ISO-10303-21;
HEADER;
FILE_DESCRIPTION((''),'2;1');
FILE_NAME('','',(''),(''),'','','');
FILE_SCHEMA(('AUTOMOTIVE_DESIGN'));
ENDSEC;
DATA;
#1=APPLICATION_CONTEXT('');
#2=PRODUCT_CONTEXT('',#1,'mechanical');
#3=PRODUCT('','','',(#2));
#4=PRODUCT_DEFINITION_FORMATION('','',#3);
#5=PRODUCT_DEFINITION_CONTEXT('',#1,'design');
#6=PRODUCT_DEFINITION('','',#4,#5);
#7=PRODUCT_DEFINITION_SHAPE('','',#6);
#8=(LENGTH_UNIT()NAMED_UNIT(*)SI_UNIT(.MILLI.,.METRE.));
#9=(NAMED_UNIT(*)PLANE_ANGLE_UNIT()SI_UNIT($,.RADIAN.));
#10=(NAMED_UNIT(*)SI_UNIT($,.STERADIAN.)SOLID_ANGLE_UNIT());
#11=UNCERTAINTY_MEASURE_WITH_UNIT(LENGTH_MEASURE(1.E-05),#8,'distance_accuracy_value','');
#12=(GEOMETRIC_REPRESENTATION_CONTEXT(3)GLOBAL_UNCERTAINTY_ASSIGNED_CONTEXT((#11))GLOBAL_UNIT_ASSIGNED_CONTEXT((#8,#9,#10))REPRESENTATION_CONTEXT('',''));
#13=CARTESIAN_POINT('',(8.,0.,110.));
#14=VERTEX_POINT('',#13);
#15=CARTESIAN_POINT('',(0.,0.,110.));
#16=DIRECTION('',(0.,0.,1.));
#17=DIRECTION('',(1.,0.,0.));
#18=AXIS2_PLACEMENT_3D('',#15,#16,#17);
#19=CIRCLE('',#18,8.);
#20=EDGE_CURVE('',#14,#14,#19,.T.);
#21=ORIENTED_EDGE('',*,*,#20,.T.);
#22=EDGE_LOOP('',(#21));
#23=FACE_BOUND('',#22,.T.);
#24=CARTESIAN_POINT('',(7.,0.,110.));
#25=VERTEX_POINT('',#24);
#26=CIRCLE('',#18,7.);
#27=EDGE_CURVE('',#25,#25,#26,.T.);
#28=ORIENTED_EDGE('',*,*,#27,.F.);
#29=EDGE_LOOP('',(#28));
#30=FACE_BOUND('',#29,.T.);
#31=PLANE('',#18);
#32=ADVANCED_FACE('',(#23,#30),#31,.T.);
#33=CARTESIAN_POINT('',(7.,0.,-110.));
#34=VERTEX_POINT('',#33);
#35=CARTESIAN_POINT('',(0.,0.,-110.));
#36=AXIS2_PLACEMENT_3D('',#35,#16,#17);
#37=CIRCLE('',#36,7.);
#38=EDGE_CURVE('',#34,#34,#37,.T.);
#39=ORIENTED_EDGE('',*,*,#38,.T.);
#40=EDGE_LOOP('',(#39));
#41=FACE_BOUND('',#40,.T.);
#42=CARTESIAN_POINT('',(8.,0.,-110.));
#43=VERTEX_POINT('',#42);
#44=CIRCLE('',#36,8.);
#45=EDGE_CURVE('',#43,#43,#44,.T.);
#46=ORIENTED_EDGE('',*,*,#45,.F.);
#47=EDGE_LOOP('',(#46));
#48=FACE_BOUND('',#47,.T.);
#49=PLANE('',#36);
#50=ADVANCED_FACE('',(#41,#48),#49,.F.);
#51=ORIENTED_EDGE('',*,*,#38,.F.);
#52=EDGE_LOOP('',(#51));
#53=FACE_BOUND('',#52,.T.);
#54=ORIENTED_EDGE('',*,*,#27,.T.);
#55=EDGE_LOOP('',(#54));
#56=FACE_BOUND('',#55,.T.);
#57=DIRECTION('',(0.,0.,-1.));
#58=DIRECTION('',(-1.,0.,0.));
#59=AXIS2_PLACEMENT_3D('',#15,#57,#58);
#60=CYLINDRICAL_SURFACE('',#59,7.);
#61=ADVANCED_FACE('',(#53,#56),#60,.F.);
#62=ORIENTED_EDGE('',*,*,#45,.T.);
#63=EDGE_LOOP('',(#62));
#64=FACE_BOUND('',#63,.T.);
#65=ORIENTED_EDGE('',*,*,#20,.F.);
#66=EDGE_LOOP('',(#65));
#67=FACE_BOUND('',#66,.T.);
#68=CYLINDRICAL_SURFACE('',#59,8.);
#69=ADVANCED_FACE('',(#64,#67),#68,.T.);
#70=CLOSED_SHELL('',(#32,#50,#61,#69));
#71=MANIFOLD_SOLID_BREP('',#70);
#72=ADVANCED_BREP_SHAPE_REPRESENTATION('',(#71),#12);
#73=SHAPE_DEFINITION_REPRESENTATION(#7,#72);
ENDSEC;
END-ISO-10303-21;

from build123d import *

# Parameters (mm, degrees)
SKETCH_1_R      = 8
SKETCH_1_R_2    = 7
EXTRUDE_1_DEPTH = 110


with BuildPart() as part:
    # 草图1 → 凸台-拉伸1 (new, symmetric)
    with BuildSketch(Plane.XY):
        Circle(SKETCH_1_R)
        Circle(SKETCH_1_R_2, mode=Mode.SUBTRACT)
    extrude(amount=EXTRUDE_1_DEPTH, both=True)


solid = part.part
